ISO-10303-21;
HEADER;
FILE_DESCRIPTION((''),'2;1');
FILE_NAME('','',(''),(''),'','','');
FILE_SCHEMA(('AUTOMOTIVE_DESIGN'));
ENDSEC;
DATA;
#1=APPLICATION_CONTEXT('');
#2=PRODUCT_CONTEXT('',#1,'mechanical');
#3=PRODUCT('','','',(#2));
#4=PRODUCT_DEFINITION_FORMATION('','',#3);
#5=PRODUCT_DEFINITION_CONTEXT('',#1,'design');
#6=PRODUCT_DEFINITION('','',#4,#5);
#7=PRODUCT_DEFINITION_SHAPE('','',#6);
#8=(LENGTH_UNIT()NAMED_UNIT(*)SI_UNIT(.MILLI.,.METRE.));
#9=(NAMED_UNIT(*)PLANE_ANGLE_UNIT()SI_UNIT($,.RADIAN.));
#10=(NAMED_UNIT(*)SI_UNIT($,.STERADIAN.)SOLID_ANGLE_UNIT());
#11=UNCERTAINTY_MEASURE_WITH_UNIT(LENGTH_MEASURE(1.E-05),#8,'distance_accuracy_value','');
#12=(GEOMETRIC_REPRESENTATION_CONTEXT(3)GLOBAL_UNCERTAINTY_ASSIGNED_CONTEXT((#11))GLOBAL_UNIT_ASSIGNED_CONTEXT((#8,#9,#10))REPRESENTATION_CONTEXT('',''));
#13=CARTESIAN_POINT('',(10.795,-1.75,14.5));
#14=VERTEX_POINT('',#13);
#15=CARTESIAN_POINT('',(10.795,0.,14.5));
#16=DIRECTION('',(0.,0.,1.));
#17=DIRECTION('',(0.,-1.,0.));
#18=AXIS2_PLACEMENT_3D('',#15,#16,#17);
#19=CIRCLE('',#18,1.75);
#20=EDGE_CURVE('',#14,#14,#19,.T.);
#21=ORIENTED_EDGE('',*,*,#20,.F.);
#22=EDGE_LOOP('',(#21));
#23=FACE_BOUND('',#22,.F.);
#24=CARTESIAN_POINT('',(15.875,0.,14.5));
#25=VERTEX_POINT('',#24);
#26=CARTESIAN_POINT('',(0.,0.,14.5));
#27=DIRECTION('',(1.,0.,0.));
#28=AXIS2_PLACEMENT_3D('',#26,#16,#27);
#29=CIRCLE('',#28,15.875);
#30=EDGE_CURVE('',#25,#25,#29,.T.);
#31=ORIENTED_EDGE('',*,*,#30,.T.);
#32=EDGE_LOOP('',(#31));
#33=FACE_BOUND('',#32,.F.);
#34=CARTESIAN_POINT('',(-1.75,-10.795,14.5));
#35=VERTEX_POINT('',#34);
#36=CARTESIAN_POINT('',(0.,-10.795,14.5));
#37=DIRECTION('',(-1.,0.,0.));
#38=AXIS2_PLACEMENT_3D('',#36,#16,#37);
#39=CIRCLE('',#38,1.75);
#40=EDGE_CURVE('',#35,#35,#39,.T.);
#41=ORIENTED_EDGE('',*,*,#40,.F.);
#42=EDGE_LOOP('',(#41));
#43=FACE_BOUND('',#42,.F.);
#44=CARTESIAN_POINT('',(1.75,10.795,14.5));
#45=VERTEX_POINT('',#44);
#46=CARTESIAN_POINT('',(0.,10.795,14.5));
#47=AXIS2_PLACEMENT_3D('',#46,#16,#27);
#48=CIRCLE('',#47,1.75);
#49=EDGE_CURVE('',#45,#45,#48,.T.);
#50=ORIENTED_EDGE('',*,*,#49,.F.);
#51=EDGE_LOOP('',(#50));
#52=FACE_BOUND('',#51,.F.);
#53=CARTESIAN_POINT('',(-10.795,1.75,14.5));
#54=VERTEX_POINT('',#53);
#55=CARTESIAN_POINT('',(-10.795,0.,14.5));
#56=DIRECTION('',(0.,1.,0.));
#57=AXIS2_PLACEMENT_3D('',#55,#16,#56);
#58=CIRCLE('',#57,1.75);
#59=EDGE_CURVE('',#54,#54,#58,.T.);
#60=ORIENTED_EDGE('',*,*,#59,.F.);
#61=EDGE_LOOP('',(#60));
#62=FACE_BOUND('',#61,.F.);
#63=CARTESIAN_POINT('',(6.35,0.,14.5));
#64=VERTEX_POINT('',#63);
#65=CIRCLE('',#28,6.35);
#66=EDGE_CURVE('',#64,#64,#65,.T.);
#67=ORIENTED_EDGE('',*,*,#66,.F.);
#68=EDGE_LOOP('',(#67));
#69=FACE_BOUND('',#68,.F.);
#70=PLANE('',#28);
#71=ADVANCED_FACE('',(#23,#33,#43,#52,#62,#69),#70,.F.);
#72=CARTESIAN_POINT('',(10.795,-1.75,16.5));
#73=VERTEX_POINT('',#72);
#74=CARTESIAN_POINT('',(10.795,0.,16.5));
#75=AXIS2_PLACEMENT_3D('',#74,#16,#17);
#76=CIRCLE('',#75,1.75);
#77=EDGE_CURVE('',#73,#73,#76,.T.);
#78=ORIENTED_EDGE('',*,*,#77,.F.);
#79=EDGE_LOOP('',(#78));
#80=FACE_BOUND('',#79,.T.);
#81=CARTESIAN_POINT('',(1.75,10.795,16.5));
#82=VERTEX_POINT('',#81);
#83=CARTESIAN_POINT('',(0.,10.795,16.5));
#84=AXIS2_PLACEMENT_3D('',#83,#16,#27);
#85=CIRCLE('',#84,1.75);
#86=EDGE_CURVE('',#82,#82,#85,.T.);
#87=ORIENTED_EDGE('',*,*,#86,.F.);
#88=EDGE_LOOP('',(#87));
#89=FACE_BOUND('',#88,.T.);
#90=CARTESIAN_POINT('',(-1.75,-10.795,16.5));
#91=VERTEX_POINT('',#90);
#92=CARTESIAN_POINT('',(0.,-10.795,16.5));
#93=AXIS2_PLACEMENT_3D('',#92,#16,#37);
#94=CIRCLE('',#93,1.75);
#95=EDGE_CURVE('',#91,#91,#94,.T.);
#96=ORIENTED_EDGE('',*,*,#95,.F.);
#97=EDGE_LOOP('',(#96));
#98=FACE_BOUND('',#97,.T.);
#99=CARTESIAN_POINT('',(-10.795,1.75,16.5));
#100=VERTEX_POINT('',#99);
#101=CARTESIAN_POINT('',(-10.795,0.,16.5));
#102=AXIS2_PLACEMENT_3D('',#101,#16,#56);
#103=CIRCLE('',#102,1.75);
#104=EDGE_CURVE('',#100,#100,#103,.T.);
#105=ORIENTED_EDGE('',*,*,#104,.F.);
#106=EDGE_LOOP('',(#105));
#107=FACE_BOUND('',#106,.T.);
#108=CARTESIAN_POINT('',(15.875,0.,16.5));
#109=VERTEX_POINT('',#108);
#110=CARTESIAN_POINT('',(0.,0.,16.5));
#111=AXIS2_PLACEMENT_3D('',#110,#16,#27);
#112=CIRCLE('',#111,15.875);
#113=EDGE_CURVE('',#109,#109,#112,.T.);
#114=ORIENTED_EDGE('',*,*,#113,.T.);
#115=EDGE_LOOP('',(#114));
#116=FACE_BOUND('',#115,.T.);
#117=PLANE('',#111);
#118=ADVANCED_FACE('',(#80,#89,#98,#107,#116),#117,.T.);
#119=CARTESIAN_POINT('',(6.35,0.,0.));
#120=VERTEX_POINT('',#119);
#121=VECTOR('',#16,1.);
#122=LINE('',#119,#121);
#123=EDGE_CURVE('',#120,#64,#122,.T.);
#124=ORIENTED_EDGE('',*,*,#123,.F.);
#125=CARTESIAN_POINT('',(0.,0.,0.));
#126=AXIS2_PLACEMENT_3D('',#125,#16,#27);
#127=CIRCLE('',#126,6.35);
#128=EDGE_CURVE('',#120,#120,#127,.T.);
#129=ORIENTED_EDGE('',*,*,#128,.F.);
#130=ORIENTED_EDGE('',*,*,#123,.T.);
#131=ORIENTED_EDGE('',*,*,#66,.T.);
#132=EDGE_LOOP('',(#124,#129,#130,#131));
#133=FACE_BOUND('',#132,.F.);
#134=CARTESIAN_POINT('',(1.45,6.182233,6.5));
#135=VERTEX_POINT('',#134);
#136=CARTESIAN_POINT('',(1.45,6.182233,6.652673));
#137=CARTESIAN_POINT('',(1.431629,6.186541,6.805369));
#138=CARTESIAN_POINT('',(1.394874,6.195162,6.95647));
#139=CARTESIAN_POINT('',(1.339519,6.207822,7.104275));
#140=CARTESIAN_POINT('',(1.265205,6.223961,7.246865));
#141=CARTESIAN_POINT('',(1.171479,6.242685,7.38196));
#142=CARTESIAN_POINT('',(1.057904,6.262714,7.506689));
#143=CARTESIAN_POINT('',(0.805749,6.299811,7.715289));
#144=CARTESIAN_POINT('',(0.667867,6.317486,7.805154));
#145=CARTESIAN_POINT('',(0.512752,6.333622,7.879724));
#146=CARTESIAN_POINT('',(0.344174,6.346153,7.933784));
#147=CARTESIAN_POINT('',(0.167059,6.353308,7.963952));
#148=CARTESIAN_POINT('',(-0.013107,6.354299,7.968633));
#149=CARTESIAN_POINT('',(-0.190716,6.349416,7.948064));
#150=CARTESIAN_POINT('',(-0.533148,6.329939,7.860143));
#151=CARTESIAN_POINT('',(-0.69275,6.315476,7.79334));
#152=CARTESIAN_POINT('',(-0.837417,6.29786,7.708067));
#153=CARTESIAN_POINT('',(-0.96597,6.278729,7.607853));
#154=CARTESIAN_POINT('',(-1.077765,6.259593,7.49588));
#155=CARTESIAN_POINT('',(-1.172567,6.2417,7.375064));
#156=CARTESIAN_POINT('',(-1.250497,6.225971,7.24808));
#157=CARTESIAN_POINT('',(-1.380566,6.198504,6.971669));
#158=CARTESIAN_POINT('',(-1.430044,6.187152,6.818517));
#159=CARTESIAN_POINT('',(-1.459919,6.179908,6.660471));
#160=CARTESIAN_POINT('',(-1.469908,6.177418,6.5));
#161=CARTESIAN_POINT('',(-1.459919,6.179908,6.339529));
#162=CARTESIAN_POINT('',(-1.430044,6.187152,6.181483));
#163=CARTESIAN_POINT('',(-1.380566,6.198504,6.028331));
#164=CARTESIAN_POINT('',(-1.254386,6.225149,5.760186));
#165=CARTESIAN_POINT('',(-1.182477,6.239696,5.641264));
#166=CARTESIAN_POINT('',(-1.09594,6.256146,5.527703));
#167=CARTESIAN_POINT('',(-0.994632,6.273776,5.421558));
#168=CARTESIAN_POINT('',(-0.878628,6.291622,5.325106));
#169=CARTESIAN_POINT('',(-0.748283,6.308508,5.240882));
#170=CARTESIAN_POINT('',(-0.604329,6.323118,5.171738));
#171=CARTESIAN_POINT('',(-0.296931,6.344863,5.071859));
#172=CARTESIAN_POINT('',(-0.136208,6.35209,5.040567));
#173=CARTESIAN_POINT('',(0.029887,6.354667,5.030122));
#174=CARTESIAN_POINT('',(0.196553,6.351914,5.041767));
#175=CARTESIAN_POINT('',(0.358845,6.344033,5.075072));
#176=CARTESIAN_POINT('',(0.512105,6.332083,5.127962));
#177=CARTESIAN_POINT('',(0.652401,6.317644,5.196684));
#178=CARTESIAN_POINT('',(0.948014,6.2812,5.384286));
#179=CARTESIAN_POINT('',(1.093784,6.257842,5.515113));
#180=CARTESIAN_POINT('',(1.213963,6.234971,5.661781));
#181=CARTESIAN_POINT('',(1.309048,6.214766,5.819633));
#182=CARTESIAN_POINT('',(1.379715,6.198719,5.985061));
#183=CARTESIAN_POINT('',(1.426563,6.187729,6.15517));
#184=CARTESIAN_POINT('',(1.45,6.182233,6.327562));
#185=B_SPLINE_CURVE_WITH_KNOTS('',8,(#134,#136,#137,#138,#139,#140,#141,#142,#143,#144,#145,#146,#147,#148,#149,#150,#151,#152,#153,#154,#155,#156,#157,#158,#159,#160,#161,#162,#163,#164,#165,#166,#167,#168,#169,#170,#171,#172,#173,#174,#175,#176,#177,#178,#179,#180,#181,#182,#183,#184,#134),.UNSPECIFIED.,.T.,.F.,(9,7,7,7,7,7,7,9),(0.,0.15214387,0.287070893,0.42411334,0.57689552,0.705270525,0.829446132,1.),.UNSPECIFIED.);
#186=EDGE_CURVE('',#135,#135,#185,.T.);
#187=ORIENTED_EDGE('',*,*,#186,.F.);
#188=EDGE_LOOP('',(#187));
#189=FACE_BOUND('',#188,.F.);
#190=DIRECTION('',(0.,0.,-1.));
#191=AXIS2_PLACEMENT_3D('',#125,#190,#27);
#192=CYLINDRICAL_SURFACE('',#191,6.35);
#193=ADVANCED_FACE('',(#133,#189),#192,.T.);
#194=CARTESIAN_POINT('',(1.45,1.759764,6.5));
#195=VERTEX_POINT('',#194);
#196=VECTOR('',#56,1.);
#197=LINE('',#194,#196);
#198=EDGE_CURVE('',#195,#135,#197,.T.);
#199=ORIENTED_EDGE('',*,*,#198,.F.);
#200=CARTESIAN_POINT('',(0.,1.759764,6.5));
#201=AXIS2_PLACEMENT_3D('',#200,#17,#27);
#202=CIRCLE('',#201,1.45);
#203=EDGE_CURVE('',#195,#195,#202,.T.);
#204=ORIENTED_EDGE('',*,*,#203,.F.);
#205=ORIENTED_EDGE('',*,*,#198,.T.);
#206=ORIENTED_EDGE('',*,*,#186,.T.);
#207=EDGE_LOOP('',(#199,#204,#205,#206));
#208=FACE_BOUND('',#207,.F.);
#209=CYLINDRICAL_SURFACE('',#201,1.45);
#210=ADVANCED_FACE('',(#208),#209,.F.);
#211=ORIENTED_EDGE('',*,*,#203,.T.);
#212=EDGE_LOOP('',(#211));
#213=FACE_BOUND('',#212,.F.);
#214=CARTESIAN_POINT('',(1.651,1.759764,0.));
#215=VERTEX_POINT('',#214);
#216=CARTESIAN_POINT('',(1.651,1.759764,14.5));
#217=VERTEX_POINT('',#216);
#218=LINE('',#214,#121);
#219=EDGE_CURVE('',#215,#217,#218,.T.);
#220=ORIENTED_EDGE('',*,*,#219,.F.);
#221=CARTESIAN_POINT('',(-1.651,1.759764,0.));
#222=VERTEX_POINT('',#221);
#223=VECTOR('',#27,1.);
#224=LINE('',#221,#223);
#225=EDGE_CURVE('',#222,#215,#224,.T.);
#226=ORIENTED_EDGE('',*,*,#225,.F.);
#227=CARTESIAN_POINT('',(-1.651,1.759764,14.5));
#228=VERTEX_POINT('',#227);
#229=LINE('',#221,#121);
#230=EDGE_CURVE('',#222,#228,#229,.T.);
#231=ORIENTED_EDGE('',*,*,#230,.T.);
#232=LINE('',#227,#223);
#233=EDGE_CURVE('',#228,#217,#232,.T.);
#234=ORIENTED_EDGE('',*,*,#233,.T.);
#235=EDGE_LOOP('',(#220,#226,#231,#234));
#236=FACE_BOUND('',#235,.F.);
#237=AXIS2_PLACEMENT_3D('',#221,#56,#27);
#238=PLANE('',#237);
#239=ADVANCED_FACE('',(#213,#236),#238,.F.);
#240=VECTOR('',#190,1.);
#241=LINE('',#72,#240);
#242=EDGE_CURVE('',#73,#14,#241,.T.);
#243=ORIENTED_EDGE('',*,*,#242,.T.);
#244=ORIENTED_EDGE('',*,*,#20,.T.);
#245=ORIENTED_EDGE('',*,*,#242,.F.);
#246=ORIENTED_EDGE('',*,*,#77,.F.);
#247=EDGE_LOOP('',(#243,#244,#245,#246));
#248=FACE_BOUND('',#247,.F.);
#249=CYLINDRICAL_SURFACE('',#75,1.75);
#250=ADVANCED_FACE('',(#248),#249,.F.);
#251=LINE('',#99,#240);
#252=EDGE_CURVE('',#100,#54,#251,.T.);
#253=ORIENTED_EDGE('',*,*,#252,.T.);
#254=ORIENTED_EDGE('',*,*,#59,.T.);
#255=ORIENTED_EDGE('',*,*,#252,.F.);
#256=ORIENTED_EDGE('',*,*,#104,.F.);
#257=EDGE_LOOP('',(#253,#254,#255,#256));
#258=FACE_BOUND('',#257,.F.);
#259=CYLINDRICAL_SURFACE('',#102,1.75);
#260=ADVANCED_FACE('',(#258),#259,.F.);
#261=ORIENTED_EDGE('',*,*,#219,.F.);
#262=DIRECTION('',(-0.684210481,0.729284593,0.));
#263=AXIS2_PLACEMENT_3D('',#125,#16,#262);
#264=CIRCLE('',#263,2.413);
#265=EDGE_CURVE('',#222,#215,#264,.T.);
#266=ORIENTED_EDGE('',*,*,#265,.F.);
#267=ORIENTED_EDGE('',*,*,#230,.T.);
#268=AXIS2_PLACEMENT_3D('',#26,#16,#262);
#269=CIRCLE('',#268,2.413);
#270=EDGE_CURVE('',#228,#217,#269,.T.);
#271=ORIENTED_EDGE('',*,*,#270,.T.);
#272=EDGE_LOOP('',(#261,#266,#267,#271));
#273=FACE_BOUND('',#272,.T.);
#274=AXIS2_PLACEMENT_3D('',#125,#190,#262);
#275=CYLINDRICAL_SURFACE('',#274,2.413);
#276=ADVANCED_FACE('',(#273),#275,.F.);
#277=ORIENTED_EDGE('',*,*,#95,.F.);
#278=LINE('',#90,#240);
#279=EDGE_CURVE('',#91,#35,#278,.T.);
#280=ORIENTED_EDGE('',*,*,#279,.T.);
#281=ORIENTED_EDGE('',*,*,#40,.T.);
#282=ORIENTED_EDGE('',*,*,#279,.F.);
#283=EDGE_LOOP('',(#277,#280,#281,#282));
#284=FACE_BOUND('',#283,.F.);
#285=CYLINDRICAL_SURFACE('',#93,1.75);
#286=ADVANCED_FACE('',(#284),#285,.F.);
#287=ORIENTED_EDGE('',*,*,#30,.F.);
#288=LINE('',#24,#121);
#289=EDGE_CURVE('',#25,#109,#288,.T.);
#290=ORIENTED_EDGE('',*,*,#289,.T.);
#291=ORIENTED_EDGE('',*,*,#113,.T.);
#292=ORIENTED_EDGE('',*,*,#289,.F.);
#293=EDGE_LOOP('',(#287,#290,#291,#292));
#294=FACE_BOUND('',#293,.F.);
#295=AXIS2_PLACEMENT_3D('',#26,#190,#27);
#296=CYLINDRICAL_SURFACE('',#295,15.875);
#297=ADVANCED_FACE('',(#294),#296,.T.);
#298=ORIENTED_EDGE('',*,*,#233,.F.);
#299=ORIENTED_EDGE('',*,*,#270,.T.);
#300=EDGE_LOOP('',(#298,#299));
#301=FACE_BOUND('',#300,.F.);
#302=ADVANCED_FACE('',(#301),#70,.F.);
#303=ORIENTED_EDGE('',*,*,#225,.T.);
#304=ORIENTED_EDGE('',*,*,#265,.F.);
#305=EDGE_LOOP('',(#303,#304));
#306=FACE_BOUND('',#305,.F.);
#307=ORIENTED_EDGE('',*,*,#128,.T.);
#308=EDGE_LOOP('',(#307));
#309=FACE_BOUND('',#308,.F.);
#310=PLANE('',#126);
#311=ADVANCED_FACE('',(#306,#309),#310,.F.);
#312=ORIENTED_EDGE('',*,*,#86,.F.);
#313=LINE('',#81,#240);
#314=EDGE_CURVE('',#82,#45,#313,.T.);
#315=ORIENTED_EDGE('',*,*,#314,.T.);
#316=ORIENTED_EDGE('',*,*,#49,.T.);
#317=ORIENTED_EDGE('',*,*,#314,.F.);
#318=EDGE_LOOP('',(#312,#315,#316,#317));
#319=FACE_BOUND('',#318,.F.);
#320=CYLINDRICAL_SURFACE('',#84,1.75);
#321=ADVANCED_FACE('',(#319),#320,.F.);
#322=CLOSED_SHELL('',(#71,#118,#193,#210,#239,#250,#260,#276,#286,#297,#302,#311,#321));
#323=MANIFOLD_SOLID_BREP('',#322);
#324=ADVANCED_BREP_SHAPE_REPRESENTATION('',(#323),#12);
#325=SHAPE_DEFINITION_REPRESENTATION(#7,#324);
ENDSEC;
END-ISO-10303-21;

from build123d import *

# Parameters (mm, degrees)
SKETCH_R           = 6.35
PAD_DEPTH          = 14.5
SKETCH001_R        = 1.45
POCKET_DEPTH       = 4.590236
SKETCH002_R        = 15.875
PAD001_DEPTH       = 2
SKETCH003_R        = 1.75
POCKET001_DEPTH    = 5
POLARPATTERN_COUNT = 4


with BuildPart() as part:
    # Sketch → Pad (new body)
    with BuildSketch(Plane.XY):
        Circle(SKETCH_R)
        with BuildLine():
            ThreePointArc((-1.651, 1.759764), (0, -2.413), (1.651, 1.759764))
            Line((-1.651, 1.759764), (1.651, 1.759764))
        make_face(mode=Mode.SUBTRACT)
    extrude(amount=PAD_DEPTH)

    # Sketch001 (on DatumPlane) → Pocket (cut)
    with BuildSketch(Plane.XZ.offset(-1.759764)):
        with Locations((0, 6.5)):
            Circle(SKETCH001_R)
    extrude(amount=-POCKET_DEPTH, mode=Mode.SUBTRACT)

    # Sketch002 (on Face3 of Pocket) → Pad001 (join)
    with BuildSketch(Plane.XY.offset(14.5)):
        Circle(SKETCH002_R)
    extrude(amount=PAD001_DEPTH)

    # Sketch003 (on Face3 of Pad001) → Pocket001 (cut)
    with BuildSketch(Plane.XY.offset(16.5)):
        with Locations((0, 10.795)):
            Circle(SKETCH003_R)
    pocket001 = extrude(amount=-POCKET001_DEPTH, mode=Mode.SUBTRACT)

    # PolarPattern: Pocket001 ×4 about axis
    polarpattern_axis = Axis((0, 0, 16.5), (0, 0, 1))
    for i in range(1, POLARPATTERN_COUNT):
        add(pocket001.rotate(polarpattern_axis, i * 360 / POLARPATTERN_COUNT), mode=Mode.SUBTRACT)


solid = part.part
